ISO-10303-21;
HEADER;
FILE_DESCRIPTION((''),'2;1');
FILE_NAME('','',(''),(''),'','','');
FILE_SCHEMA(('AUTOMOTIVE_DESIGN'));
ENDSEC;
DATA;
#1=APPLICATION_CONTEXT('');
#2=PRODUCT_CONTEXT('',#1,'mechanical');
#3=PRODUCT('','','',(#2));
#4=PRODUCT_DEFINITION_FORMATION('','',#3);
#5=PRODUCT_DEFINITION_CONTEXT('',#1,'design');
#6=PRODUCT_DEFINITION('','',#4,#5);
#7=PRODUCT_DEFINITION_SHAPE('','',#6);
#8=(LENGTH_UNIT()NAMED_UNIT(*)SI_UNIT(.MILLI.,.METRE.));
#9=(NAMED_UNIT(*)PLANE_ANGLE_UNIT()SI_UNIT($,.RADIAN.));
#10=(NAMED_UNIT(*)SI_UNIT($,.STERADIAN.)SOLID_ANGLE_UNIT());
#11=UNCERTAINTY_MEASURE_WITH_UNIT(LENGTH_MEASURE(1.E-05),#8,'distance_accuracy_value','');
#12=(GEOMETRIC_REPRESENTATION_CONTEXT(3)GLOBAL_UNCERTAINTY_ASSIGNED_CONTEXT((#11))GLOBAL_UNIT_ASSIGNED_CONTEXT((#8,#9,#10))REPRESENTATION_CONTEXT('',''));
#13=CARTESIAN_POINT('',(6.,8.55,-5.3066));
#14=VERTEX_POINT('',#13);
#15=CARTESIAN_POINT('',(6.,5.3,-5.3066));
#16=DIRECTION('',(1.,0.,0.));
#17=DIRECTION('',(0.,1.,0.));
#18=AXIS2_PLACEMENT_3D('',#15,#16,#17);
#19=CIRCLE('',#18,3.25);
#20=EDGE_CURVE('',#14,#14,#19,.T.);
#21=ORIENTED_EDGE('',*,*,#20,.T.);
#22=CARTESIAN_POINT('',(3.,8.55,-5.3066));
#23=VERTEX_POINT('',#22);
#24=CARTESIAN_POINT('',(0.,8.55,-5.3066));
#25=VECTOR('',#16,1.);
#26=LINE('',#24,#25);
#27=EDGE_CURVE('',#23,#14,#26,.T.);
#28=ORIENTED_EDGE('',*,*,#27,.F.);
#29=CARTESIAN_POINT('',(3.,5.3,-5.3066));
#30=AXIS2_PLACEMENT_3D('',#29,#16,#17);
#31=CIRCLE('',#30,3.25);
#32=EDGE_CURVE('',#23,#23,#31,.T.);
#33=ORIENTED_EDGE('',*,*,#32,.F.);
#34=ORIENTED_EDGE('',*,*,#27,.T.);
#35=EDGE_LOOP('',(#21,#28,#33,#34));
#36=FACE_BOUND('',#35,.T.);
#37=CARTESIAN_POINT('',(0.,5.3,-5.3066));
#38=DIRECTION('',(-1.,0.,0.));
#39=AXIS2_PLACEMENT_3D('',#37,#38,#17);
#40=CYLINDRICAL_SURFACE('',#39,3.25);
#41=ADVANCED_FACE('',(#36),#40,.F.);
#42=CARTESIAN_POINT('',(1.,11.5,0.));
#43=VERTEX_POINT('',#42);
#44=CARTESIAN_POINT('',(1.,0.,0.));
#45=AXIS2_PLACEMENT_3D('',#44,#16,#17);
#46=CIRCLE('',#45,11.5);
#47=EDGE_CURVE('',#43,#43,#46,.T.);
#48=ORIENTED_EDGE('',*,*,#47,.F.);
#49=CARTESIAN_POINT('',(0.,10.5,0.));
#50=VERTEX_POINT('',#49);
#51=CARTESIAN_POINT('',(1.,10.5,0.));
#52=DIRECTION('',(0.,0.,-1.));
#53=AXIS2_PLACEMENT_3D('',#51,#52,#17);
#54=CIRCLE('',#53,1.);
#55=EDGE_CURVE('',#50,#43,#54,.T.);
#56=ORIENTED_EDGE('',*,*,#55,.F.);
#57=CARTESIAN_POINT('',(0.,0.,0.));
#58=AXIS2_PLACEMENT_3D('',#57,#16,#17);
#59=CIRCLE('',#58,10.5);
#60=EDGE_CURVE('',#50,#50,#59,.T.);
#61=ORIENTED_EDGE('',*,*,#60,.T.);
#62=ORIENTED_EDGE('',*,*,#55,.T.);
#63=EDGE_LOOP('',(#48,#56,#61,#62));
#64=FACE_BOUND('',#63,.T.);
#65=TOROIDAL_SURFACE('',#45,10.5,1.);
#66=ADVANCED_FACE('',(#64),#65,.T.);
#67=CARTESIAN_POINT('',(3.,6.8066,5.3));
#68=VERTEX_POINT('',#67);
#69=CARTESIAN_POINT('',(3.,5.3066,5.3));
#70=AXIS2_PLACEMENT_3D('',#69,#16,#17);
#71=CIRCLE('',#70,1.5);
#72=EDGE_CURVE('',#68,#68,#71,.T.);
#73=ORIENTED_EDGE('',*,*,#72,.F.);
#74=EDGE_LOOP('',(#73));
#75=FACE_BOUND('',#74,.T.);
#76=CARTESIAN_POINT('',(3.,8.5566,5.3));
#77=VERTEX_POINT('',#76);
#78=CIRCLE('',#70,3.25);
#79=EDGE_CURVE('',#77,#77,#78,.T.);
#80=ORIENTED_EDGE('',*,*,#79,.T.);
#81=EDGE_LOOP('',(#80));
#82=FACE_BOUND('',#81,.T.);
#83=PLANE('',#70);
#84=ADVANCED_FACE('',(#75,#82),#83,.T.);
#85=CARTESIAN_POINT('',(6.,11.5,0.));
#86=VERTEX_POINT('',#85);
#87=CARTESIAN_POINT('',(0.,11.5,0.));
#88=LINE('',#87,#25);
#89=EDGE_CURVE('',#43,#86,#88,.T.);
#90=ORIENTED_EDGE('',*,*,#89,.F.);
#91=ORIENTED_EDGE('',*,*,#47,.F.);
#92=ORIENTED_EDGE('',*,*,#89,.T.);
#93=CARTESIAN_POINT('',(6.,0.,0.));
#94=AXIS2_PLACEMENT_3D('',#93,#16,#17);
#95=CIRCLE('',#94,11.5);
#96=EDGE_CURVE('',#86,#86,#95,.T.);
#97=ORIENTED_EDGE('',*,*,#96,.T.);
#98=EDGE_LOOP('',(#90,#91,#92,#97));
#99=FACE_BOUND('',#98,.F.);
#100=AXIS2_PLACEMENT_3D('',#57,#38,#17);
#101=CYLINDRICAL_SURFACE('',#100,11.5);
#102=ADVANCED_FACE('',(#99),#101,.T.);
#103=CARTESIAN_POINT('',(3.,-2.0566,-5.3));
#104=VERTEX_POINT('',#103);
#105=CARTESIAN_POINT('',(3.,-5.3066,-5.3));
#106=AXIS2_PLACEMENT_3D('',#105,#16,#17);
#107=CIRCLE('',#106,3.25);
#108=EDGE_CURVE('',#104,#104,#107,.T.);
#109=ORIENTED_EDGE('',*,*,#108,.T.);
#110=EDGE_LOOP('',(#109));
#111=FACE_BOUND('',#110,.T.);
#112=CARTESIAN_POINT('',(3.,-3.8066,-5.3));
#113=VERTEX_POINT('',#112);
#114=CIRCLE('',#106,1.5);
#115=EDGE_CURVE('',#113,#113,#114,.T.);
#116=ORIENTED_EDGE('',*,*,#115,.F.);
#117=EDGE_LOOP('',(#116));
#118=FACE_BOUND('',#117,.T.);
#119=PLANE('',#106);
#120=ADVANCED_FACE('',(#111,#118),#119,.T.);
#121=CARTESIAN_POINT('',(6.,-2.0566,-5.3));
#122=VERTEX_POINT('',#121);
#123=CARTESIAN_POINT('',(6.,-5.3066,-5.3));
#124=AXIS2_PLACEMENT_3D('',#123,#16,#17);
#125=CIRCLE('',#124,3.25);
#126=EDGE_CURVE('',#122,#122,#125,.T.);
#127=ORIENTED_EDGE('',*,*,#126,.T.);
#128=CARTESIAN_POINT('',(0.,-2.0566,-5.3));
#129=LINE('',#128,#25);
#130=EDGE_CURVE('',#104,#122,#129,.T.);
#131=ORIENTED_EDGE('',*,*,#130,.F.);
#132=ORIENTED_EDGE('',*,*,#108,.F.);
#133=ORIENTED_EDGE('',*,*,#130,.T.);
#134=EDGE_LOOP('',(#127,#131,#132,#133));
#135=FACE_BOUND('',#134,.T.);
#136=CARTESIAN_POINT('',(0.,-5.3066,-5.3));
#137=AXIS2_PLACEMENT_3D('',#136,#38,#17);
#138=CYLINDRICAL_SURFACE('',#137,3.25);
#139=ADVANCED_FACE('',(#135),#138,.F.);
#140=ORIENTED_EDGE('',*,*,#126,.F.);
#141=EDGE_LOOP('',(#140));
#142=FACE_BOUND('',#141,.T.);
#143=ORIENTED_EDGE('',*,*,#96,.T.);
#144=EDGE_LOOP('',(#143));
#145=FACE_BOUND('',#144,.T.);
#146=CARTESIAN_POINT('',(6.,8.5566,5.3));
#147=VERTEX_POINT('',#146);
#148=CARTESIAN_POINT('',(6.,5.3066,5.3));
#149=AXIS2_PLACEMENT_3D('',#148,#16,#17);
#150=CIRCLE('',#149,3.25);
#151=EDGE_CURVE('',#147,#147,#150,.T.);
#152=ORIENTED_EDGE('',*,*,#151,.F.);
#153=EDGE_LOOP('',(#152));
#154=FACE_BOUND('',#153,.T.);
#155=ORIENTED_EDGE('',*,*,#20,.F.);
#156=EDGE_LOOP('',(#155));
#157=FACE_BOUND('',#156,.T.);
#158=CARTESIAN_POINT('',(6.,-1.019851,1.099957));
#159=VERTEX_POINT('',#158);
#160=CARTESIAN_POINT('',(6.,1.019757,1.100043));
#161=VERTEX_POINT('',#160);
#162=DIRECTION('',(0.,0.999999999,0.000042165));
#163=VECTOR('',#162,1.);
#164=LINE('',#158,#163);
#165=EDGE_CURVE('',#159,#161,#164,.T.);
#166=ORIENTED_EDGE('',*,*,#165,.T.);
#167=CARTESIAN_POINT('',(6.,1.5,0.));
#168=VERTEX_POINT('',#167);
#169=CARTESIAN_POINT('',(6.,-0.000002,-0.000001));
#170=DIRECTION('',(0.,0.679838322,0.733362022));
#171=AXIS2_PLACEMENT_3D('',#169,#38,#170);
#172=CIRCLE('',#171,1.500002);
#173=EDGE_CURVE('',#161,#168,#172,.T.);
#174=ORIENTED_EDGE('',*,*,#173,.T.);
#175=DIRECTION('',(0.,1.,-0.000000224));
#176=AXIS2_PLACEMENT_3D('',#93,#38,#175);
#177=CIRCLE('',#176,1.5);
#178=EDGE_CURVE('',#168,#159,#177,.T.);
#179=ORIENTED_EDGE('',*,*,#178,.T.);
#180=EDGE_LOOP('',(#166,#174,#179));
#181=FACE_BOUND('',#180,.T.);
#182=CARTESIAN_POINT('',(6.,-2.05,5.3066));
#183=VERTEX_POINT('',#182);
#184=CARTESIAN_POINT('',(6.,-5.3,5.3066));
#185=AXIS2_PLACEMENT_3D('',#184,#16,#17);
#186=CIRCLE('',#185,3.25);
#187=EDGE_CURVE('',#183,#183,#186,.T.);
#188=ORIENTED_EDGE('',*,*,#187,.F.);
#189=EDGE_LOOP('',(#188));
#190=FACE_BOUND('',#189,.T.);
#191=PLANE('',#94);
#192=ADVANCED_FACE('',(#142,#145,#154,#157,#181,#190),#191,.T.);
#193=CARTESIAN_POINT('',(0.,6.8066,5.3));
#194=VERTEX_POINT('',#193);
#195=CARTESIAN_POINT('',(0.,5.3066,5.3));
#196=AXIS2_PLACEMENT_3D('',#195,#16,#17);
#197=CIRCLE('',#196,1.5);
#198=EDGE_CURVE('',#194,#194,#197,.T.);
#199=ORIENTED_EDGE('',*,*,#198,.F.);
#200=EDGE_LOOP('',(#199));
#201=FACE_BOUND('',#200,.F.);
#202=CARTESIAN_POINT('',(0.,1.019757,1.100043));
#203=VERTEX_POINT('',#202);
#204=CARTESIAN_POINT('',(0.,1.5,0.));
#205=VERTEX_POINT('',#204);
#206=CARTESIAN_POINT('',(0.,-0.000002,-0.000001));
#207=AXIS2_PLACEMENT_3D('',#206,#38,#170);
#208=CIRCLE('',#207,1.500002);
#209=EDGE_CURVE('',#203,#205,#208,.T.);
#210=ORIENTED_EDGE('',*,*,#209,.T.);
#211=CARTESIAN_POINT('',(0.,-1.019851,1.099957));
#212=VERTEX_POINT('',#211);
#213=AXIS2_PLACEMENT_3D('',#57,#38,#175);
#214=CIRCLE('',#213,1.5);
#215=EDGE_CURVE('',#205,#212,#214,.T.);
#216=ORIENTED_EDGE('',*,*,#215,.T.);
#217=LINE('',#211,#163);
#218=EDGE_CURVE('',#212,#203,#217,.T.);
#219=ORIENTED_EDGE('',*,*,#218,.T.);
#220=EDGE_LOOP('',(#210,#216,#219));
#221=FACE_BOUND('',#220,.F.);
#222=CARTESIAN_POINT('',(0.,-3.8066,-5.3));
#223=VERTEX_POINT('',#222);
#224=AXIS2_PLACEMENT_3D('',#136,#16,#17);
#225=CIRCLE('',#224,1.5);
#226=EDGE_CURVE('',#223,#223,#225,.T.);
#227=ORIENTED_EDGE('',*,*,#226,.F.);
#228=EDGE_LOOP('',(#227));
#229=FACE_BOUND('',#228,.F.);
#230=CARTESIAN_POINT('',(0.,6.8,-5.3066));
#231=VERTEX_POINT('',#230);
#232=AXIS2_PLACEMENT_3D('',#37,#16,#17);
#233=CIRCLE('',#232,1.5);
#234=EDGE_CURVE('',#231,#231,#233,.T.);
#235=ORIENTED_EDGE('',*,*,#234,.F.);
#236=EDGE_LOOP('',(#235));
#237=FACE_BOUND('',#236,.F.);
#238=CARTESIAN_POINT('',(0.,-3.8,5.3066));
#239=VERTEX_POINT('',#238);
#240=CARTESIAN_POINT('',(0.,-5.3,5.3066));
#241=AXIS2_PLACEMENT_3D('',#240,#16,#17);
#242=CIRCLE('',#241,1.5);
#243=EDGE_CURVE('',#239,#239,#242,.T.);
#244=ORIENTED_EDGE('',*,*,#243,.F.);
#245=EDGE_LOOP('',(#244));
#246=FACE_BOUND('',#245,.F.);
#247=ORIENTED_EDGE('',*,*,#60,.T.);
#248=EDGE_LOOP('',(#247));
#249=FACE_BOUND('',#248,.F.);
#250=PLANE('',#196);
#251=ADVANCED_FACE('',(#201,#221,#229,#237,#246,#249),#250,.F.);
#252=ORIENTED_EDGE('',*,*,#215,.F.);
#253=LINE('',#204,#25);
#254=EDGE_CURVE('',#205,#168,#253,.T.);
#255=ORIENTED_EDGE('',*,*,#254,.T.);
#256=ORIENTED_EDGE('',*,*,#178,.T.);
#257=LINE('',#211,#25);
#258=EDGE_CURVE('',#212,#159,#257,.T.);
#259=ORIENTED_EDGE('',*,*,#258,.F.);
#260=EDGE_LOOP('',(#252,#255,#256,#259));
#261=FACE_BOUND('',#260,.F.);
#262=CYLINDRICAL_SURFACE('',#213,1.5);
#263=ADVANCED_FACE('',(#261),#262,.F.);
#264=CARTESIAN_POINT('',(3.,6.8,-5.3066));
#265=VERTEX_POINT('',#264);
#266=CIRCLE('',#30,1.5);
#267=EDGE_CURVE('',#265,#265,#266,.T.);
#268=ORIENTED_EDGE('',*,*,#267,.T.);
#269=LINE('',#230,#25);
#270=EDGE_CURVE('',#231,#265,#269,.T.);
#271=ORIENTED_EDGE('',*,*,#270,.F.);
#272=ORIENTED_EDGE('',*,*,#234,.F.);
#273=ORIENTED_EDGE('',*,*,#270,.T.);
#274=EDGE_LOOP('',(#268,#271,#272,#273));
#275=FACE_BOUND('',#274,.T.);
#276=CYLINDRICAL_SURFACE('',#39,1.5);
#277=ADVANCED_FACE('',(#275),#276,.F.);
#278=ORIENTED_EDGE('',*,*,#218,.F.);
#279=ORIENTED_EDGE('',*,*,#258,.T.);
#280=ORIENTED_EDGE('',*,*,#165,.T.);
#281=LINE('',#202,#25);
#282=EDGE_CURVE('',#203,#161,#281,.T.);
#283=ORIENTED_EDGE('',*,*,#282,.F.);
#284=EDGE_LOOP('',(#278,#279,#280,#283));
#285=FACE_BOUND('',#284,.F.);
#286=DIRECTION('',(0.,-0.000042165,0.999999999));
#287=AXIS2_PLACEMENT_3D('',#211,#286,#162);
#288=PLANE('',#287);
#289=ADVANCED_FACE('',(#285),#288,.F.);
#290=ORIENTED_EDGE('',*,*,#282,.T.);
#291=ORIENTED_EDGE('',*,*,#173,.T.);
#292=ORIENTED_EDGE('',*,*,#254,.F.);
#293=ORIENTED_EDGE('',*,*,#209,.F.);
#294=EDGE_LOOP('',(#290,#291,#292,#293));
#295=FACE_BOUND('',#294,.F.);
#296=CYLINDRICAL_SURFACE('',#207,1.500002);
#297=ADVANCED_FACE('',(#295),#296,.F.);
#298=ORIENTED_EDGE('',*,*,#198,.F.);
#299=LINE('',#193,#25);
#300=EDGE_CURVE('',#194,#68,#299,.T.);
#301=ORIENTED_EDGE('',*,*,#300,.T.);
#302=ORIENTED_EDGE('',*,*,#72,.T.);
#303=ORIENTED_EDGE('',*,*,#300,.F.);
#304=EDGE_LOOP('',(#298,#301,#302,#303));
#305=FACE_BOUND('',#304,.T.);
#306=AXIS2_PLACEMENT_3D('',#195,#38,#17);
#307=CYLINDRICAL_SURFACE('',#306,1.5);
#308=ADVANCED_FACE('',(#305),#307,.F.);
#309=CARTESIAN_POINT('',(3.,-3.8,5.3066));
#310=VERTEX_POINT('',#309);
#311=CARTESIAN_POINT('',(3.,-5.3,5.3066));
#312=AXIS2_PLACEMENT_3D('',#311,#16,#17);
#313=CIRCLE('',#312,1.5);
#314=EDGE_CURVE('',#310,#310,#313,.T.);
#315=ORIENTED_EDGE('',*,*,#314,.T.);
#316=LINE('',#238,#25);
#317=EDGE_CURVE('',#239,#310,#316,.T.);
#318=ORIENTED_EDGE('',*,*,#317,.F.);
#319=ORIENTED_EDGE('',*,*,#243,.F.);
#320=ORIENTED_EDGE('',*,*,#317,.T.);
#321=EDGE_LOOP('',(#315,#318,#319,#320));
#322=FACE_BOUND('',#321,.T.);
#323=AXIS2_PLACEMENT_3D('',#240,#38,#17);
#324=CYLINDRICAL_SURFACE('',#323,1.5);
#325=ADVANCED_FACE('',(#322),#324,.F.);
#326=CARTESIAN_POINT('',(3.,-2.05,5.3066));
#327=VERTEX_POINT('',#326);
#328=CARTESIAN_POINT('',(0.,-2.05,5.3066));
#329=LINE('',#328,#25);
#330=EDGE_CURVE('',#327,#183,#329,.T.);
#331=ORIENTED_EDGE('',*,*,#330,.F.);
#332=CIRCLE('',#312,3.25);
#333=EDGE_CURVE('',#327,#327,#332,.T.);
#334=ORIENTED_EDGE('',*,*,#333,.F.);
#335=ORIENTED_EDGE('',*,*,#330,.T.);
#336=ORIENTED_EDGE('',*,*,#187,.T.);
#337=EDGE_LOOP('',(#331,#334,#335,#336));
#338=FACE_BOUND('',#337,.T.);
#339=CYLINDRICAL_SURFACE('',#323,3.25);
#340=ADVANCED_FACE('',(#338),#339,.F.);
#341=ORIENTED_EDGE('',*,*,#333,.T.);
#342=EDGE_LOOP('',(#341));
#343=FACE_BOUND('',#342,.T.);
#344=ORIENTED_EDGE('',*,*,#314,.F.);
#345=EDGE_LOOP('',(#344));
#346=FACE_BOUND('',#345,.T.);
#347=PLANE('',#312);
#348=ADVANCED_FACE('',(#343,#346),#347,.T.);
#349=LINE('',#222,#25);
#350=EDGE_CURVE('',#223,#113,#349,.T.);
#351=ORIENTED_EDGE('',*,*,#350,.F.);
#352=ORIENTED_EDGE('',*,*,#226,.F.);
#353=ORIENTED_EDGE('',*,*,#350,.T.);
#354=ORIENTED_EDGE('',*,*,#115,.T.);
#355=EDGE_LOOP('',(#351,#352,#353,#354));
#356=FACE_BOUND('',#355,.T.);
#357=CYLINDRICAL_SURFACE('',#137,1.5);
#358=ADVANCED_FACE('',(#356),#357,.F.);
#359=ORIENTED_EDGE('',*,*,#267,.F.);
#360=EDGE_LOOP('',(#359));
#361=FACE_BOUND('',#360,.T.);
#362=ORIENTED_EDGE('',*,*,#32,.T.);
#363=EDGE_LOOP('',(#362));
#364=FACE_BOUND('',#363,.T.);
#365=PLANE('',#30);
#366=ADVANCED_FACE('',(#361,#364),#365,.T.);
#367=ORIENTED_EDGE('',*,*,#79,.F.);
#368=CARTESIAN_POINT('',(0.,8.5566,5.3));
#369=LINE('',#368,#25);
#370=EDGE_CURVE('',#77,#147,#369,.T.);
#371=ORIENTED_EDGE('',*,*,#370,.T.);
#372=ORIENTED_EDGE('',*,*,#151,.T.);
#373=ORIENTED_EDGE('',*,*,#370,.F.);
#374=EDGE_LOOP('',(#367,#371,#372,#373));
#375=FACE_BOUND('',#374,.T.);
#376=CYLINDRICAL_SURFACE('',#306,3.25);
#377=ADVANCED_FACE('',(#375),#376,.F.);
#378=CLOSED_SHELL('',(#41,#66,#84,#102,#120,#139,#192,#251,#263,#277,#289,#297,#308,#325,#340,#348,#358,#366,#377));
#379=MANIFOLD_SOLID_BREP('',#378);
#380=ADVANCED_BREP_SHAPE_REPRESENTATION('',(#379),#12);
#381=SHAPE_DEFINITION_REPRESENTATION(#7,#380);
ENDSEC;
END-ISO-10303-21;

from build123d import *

# Parameters (mm, degrees)
F0_R     = 11.5
F0_R_2   = 3.25
F1_DEPTH = 6
F0_R_3   = 1.5
F2_DEPTH = 3
F3_R     = 1


with BuildPart() as f1:
    # F0 (on Right) → F1 (new body)
    with BuildSketch(Plane.YZ):
        Circle(F0_R)
        with Locations((-5.3066, -5.3)):
            Circle(F0_R_2, mode=Mode.SUBTRACT)
        with Locations((5.3, -5.3066)):
            Circle(F0_R_2, mode=Mode.SUBTRACT)
        with Locations((-5.3, 5.3066)):
            Circle(F0_R_2, mode=Mode.SUBTRACT)
        with BuildLine():
            ThreePointArc((1.019757, 1.100043), (1.374706, 0.600152), (1.5, 0))
            ThreePointArc((1.5, 0), (-0.600093, -1.374732), (-1.019851, 1.099957))
            ThreePointArc((-1.019851, 1.099957), (-6.4e-05, 1.5), (1.019757, 1.100043))
        make_face(mode=Mode.SUBTRACT)
        with Locations((5.3066, 5.3)):
            Circle(F0_R_2, mode=Mode.SUBTRACT)
        with BuildLine():
            Line((-1.019851, 1.099957), (1.019757, 1.100043))
            ThreePointArc((1.019757, 1.100043), (-6.4e-05, 1.5), (-1.019851, 1.099957))
        make_face()
    extrude(amount=F1_DEPTH)

    # F0 (on Right) → F2 (join)
    with BuildSketch(Plane.YZ):
        with Locations((5.3066, 5.3)):
            Circle(F0_R_2)
        with Locations((5.3066, 5.3)):
            Circle(F0_R_3, mode=Mode.SUBTRACT)
        with Locations((-5.3066, -5.3)):
            Circle(F0_R_2)
        with Locations((-5.3066, -5.3)):
            Circle(F0_R_3, mode=Mode.SUBTRACT)
        with Locations((5.3, -5.3066)):
            Circle(F0_R_2)
        with Locations((5.3, -5.3066)):
            Circle(F0_R_3, mode=Mode.SUBTRACT)
        with Locations((-5.3, 5.3066)):
            Circle(F0_R_2)
        with Locations((-5.3, 5.3066)):
            Circle(F0_R_3, mode=Mode.SUBTRACT)
    extrude(amount=F2_DEPTH)

    # F3
    f3_edges = [f1.edges().sort_by_distance(p)[0] for p in [
        (0, -11.5, 0),
    ]]
    fillet(f3_edges, radius=F3_R)


solid = f1.part
